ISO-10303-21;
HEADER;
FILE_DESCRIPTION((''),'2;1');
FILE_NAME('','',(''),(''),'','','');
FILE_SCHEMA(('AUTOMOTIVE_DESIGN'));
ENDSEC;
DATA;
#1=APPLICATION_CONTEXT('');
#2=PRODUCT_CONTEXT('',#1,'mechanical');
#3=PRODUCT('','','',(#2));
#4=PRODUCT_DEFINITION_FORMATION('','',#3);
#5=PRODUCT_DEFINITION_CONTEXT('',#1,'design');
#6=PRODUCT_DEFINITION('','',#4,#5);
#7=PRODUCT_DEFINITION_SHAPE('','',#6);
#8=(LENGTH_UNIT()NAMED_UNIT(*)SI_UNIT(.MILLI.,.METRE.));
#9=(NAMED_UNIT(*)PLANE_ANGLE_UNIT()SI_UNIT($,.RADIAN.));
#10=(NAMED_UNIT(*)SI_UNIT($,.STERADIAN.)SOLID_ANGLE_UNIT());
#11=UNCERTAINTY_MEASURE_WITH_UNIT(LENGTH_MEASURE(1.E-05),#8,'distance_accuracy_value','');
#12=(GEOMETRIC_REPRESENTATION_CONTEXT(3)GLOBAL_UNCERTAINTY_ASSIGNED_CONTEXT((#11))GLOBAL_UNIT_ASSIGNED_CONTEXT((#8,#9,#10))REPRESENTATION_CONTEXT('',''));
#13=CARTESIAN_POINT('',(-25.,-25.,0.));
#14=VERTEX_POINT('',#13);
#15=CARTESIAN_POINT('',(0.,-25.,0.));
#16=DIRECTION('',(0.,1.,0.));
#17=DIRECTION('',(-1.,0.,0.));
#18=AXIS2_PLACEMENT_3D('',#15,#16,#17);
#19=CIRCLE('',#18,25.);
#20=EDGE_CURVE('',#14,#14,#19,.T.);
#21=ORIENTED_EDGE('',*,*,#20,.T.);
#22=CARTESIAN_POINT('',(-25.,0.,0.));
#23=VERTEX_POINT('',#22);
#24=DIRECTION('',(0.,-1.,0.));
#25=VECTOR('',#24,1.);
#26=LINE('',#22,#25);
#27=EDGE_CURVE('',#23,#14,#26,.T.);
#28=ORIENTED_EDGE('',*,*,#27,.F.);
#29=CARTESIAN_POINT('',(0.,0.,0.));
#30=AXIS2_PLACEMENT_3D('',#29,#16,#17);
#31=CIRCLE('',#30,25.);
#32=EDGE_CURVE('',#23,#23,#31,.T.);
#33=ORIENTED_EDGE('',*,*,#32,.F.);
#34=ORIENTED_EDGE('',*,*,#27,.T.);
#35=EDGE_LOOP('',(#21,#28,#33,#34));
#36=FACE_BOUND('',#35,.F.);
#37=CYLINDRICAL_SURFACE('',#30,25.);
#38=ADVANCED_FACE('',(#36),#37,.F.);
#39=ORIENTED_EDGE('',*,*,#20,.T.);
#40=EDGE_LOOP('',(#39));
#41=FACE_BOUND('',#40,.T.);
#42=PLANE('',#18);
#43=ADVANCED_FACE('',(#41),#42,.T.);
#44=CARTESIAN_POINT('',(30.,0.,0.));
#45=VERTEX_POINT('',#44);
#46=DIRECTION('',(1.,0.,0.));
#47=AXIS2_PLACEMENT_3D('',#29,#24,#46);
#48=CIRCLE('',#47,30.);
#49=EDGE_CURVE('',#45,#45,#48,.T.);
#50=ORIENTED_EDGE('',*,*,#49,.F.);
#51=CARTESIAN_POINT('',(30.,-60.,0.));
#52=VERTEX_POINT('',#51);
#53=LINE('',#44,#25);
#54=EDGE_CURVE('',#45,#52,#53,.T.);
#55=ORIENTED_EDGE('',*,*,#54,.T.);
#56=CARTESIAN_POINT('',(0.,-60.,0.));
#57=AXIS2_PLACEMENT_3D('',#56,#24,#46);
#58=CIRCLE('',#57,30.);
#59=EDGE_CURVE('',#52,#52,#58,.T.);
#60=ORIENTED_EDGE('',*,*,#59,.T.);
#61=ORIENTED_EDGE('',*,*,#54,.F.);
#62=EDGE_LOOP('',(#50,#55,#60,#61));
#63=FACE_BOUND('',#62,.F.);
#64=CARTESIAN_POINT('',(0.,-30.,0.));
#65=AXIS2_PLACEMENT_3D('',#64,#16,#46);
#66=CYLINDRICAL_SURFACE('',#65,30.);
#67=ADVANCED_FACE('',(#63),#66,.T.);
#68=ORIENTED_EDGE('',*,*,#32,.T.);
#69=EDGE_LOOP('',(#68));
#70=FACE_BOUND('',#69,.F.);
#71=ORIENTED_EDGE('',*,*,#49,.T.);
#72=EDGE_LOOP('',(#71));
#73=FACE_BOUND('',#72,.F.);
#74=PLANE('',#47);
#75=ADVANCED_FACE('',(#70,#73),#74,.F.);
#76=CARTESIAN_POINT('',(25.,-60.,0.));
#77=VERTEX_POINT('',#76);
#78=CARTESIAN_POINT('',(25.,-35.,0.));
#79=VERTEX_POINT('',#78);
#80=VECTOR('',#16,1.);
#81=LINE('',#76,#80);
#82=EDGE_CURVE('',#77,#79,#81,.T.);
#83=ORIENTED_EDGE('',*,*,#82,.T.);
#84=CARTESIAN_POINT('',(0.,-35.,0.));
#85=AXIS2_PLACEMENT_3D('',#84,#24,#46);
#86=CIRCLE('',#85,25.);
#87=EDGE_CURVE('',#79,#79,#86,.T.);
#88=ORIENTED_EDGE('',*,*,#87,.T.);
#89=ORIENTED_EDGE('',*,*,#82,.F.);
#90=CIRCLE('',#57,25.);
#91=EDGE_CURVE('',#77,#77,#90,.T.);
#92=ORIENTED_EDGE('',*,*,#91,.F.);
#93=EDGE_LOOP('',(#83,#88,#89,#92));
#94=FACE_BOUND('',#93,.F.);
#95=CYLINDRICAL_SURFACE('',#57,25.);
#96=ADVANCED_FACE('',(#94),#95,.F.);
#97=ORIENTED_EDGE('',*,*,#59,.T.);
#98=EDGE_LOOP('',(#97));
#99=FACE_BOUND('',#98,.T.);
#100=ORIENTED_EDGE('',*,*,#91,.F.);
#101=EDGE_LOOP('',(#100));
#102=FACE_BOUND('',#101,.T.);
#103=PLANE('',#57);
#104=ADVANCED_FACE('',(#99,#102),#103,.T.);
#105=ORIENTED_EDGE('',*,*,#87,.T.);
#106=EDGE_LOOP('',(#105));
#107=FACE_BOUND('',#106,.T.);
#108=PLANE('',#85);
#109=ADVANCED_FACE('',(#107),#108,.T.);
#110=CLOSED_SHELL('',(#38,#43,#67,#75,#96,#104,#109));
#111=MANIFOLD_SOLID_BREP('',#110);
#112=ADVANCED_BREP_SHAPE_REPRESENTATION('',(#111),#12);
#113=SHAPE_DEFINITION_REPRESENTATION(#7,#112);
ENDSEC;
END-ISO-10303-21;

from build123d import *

# Parameters (mm, degrees)
F0_R     = 30
F1_DEPTH = 30
F2_R     = 25
F3_DEPTH = 25
F4_DEPTH = 30
F5_R     = 25
F6_DEPTH = 25


with BuildPart() as f1:
    # F0 (on Front) → F1 (new body)
    with BuildSketch(Plane.XZ):
        Circle(F0_R)
    extrude(amount=F1_DEPTH)

    # F2 (on face) → F3 (cut)
    with BuildSketch(Plane(origin=(0, 0, 0), x_dir=(-1, 0, 0), z_dir=(0, 1, 0))):
        Circle(F2_R)
    extrude(amount=-F3_DEPTH, mode=Mode.SUBTRACT)

    # F4 (add): a face of the model
    f4_faces = [f1.faces().sort_by_distance(p)[0] for p in [
        (0, -30, 0),
    ]]
    extrude(f4_faces, amount=F4_DEPTH)

    # F5 (on face) → F6 (cut)
    with BuildSketch(Plane.XZ.offset(60)):
        Circle(F5_R)
    extrude(amount=-F6_DEPTH, mode=Mode.SUBTRACT)


solid = f1.part
